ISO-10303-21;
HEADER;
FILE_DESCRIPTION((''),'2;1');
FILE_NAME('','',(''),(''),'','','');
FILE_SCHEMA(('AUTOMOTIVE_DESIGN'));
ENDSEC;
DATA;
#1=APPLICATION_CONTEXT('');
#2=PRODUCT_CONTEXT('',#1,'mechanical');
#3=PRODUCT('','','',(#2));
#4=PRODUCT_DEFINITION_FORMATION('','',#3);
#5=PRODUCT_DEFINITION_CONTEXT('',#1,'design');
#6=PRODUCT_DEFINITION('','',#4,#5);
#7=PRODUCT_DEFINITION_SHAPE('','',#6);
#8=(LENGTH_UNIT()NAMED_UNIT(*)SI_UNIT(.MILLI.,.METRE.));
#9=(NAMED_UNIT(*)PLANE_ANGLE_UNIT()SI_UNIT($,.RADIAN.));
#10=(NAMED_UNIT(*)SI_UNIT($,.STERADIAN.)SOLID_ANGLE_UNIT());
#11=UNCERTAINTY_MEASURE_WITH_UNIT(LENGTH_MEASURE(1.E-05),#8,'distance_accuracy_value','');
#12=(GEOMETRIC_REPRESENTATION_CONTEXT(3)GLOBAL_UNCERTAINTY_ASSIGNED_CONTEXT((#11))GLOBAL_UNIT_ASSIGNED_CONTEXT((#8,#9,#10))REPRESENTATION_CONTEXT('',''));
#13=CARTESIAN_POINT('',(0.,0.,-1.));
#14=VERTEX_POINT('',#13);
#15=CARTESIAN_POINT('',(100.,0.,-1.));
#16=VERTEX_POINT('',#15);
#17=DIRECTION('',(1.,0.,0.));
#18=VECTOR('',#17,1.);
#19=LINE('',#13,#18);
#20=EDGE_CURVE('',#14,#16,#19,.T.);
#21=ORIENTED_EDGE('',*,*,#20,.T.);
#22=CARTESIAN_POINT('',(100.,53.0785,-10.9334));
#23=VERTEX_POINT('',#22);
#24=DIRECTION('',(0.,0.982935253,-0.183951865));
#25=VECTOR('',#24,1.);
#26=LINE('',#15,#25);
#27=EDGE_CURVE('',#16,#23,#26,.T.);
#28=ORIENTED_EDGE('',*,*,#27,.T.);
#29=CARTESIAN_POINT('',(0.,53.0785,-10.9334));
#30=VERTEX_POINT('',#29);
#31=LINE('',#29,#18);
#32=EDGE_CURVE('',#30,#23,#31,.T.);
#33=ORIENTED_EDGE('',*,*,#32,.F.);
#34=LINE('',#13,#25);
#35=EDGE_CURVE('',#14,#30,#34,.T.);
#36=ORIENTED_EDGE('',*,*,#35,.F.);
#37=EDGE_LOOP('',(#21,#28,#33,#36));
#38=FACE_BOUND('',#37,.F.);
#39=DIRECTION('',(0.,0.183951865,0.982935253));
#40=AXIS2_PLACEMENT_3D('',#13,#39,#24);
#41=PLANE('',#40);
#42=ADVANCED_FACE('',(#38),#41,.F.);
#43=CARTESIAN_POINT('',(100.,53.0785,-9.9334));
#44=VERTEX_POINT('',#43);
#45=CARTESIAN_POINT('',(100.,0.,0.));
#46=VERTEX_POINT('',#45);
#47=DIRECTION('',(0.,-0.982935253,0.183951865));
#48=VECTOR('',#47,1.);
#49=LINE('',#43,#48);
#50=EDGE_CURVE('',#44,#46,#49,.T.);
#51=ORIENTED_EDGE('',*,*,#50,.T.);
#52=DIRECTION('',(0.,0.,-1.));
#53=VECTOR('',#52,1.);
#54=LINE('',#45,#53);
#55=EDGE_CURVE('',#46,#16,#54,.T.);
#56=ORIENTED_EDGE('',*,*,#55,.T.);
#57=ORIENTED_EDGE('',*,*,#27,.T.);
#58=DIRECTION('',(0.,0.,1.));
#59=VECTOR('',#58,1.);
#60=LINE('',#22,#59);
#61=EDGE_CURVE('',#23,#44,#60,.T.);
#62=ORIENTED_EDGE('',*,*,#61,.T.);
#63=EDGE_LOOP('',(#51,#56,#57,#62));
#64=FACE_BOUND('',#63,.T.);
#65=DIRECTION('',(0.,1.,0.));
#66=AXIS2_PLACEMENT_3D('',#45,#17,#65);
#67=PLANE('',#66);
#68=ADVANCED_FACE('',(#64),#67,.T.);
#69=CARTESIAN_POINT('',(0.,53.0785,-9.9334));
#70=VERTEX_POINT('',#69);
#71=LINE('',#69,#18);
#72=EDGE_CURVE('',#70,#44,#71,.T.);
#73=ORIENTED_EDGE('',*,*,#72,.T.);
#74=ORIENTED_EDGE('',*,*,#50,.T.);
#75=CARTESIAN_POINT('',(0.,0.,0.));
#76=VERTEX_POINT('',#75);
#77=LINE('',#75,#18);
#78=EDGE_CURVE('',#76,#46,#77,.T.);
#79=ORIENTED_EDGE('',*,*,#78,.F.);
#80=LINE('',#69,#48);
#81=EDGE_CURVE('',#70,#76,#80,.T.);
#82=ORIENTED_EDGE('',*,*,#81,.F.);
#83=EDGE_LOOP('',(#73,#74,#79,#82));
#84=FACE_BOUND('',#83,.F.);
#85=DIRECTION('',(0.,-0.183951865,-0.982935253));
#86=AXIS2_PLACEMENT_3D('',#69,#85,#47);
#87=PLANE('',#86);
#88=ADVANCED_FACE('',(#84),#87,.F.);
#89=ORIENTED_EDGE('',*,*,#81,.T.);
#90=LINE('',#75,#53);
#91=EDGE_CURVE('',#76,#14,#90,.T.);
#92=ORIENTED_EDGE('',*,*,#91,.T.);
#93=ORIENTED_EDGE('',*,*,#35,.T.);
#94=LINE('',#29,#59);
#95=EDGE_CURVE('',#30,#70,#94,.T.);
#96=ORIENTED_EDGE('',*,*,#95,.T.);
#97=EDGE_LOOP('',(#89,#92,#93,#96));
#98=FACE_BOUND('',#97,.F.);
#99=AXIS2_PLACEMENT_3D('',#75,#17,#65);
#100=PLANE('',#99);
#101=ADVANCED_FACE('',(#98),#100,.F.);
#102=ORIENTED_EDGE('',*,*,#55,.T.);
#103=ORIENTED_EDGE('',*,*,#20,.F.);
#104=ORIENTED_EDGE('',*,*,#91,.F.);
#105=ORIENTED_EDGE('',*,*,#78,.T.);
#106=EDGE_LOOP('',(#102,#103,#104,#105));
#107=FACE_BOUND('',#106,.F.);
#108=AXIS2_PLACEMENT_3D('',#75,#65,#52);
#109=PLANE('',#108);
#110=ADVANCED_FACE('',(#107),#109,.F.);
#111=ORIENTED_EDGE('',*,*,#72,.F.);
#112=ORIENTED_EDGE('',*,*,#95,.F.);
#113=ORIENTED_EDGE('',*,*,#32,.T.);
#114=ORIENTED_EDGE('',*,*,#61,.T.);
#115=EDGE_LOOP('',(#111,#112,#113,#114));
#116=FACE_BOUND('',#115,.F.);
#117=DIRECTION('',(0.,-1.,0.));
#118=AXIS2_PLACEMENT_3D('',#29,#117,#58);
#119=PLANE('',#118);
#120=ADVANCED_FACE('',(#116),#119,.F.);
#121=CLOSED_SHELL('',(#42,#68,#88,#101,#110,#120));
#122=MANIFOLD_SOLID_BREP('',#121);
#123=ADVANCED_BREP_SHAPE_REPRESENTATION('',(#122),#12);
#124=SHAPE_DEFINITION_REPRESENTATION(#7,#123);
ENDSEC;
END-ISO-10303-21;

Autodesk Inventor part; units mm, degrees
ref_plane "YZ Plane" through (0, 0, 0) normal (1, 0, 0) x (0, 1, 0)
ref_plane "XZ Plane" through (0, 0, 0) normal (0, 1, 0) x (-1, 0, 0)
ref_plane "XY Plane" through (0, 0, 0) normal (0, 0, 1) x (1, 0, 0)
sketch "Szkic1" plane through (0, 0, 0) normal (1, 0, 0) x (0, 1, 0)
  line L0 (0, 0) -> (0, -1)
  line L1 (0, -1) -> (53.0785, -10.9334)
  line L2 (0, -1) -> (54, -1) construction
  line L3 (53.0785, -10.9334) -> (53.0785, -9.9334)
  line L4 (53.0785, -9.9334) -> (0, 0)
  dimension "d0" = 1
  dimension "d1" = 54
  dimension "d2" = 10.6
  dimension "d3" = 1
extrude "Wyciągnięcie proste1" add sketch "Szkic1" along normal blind 100
properties part number "zderzak"
